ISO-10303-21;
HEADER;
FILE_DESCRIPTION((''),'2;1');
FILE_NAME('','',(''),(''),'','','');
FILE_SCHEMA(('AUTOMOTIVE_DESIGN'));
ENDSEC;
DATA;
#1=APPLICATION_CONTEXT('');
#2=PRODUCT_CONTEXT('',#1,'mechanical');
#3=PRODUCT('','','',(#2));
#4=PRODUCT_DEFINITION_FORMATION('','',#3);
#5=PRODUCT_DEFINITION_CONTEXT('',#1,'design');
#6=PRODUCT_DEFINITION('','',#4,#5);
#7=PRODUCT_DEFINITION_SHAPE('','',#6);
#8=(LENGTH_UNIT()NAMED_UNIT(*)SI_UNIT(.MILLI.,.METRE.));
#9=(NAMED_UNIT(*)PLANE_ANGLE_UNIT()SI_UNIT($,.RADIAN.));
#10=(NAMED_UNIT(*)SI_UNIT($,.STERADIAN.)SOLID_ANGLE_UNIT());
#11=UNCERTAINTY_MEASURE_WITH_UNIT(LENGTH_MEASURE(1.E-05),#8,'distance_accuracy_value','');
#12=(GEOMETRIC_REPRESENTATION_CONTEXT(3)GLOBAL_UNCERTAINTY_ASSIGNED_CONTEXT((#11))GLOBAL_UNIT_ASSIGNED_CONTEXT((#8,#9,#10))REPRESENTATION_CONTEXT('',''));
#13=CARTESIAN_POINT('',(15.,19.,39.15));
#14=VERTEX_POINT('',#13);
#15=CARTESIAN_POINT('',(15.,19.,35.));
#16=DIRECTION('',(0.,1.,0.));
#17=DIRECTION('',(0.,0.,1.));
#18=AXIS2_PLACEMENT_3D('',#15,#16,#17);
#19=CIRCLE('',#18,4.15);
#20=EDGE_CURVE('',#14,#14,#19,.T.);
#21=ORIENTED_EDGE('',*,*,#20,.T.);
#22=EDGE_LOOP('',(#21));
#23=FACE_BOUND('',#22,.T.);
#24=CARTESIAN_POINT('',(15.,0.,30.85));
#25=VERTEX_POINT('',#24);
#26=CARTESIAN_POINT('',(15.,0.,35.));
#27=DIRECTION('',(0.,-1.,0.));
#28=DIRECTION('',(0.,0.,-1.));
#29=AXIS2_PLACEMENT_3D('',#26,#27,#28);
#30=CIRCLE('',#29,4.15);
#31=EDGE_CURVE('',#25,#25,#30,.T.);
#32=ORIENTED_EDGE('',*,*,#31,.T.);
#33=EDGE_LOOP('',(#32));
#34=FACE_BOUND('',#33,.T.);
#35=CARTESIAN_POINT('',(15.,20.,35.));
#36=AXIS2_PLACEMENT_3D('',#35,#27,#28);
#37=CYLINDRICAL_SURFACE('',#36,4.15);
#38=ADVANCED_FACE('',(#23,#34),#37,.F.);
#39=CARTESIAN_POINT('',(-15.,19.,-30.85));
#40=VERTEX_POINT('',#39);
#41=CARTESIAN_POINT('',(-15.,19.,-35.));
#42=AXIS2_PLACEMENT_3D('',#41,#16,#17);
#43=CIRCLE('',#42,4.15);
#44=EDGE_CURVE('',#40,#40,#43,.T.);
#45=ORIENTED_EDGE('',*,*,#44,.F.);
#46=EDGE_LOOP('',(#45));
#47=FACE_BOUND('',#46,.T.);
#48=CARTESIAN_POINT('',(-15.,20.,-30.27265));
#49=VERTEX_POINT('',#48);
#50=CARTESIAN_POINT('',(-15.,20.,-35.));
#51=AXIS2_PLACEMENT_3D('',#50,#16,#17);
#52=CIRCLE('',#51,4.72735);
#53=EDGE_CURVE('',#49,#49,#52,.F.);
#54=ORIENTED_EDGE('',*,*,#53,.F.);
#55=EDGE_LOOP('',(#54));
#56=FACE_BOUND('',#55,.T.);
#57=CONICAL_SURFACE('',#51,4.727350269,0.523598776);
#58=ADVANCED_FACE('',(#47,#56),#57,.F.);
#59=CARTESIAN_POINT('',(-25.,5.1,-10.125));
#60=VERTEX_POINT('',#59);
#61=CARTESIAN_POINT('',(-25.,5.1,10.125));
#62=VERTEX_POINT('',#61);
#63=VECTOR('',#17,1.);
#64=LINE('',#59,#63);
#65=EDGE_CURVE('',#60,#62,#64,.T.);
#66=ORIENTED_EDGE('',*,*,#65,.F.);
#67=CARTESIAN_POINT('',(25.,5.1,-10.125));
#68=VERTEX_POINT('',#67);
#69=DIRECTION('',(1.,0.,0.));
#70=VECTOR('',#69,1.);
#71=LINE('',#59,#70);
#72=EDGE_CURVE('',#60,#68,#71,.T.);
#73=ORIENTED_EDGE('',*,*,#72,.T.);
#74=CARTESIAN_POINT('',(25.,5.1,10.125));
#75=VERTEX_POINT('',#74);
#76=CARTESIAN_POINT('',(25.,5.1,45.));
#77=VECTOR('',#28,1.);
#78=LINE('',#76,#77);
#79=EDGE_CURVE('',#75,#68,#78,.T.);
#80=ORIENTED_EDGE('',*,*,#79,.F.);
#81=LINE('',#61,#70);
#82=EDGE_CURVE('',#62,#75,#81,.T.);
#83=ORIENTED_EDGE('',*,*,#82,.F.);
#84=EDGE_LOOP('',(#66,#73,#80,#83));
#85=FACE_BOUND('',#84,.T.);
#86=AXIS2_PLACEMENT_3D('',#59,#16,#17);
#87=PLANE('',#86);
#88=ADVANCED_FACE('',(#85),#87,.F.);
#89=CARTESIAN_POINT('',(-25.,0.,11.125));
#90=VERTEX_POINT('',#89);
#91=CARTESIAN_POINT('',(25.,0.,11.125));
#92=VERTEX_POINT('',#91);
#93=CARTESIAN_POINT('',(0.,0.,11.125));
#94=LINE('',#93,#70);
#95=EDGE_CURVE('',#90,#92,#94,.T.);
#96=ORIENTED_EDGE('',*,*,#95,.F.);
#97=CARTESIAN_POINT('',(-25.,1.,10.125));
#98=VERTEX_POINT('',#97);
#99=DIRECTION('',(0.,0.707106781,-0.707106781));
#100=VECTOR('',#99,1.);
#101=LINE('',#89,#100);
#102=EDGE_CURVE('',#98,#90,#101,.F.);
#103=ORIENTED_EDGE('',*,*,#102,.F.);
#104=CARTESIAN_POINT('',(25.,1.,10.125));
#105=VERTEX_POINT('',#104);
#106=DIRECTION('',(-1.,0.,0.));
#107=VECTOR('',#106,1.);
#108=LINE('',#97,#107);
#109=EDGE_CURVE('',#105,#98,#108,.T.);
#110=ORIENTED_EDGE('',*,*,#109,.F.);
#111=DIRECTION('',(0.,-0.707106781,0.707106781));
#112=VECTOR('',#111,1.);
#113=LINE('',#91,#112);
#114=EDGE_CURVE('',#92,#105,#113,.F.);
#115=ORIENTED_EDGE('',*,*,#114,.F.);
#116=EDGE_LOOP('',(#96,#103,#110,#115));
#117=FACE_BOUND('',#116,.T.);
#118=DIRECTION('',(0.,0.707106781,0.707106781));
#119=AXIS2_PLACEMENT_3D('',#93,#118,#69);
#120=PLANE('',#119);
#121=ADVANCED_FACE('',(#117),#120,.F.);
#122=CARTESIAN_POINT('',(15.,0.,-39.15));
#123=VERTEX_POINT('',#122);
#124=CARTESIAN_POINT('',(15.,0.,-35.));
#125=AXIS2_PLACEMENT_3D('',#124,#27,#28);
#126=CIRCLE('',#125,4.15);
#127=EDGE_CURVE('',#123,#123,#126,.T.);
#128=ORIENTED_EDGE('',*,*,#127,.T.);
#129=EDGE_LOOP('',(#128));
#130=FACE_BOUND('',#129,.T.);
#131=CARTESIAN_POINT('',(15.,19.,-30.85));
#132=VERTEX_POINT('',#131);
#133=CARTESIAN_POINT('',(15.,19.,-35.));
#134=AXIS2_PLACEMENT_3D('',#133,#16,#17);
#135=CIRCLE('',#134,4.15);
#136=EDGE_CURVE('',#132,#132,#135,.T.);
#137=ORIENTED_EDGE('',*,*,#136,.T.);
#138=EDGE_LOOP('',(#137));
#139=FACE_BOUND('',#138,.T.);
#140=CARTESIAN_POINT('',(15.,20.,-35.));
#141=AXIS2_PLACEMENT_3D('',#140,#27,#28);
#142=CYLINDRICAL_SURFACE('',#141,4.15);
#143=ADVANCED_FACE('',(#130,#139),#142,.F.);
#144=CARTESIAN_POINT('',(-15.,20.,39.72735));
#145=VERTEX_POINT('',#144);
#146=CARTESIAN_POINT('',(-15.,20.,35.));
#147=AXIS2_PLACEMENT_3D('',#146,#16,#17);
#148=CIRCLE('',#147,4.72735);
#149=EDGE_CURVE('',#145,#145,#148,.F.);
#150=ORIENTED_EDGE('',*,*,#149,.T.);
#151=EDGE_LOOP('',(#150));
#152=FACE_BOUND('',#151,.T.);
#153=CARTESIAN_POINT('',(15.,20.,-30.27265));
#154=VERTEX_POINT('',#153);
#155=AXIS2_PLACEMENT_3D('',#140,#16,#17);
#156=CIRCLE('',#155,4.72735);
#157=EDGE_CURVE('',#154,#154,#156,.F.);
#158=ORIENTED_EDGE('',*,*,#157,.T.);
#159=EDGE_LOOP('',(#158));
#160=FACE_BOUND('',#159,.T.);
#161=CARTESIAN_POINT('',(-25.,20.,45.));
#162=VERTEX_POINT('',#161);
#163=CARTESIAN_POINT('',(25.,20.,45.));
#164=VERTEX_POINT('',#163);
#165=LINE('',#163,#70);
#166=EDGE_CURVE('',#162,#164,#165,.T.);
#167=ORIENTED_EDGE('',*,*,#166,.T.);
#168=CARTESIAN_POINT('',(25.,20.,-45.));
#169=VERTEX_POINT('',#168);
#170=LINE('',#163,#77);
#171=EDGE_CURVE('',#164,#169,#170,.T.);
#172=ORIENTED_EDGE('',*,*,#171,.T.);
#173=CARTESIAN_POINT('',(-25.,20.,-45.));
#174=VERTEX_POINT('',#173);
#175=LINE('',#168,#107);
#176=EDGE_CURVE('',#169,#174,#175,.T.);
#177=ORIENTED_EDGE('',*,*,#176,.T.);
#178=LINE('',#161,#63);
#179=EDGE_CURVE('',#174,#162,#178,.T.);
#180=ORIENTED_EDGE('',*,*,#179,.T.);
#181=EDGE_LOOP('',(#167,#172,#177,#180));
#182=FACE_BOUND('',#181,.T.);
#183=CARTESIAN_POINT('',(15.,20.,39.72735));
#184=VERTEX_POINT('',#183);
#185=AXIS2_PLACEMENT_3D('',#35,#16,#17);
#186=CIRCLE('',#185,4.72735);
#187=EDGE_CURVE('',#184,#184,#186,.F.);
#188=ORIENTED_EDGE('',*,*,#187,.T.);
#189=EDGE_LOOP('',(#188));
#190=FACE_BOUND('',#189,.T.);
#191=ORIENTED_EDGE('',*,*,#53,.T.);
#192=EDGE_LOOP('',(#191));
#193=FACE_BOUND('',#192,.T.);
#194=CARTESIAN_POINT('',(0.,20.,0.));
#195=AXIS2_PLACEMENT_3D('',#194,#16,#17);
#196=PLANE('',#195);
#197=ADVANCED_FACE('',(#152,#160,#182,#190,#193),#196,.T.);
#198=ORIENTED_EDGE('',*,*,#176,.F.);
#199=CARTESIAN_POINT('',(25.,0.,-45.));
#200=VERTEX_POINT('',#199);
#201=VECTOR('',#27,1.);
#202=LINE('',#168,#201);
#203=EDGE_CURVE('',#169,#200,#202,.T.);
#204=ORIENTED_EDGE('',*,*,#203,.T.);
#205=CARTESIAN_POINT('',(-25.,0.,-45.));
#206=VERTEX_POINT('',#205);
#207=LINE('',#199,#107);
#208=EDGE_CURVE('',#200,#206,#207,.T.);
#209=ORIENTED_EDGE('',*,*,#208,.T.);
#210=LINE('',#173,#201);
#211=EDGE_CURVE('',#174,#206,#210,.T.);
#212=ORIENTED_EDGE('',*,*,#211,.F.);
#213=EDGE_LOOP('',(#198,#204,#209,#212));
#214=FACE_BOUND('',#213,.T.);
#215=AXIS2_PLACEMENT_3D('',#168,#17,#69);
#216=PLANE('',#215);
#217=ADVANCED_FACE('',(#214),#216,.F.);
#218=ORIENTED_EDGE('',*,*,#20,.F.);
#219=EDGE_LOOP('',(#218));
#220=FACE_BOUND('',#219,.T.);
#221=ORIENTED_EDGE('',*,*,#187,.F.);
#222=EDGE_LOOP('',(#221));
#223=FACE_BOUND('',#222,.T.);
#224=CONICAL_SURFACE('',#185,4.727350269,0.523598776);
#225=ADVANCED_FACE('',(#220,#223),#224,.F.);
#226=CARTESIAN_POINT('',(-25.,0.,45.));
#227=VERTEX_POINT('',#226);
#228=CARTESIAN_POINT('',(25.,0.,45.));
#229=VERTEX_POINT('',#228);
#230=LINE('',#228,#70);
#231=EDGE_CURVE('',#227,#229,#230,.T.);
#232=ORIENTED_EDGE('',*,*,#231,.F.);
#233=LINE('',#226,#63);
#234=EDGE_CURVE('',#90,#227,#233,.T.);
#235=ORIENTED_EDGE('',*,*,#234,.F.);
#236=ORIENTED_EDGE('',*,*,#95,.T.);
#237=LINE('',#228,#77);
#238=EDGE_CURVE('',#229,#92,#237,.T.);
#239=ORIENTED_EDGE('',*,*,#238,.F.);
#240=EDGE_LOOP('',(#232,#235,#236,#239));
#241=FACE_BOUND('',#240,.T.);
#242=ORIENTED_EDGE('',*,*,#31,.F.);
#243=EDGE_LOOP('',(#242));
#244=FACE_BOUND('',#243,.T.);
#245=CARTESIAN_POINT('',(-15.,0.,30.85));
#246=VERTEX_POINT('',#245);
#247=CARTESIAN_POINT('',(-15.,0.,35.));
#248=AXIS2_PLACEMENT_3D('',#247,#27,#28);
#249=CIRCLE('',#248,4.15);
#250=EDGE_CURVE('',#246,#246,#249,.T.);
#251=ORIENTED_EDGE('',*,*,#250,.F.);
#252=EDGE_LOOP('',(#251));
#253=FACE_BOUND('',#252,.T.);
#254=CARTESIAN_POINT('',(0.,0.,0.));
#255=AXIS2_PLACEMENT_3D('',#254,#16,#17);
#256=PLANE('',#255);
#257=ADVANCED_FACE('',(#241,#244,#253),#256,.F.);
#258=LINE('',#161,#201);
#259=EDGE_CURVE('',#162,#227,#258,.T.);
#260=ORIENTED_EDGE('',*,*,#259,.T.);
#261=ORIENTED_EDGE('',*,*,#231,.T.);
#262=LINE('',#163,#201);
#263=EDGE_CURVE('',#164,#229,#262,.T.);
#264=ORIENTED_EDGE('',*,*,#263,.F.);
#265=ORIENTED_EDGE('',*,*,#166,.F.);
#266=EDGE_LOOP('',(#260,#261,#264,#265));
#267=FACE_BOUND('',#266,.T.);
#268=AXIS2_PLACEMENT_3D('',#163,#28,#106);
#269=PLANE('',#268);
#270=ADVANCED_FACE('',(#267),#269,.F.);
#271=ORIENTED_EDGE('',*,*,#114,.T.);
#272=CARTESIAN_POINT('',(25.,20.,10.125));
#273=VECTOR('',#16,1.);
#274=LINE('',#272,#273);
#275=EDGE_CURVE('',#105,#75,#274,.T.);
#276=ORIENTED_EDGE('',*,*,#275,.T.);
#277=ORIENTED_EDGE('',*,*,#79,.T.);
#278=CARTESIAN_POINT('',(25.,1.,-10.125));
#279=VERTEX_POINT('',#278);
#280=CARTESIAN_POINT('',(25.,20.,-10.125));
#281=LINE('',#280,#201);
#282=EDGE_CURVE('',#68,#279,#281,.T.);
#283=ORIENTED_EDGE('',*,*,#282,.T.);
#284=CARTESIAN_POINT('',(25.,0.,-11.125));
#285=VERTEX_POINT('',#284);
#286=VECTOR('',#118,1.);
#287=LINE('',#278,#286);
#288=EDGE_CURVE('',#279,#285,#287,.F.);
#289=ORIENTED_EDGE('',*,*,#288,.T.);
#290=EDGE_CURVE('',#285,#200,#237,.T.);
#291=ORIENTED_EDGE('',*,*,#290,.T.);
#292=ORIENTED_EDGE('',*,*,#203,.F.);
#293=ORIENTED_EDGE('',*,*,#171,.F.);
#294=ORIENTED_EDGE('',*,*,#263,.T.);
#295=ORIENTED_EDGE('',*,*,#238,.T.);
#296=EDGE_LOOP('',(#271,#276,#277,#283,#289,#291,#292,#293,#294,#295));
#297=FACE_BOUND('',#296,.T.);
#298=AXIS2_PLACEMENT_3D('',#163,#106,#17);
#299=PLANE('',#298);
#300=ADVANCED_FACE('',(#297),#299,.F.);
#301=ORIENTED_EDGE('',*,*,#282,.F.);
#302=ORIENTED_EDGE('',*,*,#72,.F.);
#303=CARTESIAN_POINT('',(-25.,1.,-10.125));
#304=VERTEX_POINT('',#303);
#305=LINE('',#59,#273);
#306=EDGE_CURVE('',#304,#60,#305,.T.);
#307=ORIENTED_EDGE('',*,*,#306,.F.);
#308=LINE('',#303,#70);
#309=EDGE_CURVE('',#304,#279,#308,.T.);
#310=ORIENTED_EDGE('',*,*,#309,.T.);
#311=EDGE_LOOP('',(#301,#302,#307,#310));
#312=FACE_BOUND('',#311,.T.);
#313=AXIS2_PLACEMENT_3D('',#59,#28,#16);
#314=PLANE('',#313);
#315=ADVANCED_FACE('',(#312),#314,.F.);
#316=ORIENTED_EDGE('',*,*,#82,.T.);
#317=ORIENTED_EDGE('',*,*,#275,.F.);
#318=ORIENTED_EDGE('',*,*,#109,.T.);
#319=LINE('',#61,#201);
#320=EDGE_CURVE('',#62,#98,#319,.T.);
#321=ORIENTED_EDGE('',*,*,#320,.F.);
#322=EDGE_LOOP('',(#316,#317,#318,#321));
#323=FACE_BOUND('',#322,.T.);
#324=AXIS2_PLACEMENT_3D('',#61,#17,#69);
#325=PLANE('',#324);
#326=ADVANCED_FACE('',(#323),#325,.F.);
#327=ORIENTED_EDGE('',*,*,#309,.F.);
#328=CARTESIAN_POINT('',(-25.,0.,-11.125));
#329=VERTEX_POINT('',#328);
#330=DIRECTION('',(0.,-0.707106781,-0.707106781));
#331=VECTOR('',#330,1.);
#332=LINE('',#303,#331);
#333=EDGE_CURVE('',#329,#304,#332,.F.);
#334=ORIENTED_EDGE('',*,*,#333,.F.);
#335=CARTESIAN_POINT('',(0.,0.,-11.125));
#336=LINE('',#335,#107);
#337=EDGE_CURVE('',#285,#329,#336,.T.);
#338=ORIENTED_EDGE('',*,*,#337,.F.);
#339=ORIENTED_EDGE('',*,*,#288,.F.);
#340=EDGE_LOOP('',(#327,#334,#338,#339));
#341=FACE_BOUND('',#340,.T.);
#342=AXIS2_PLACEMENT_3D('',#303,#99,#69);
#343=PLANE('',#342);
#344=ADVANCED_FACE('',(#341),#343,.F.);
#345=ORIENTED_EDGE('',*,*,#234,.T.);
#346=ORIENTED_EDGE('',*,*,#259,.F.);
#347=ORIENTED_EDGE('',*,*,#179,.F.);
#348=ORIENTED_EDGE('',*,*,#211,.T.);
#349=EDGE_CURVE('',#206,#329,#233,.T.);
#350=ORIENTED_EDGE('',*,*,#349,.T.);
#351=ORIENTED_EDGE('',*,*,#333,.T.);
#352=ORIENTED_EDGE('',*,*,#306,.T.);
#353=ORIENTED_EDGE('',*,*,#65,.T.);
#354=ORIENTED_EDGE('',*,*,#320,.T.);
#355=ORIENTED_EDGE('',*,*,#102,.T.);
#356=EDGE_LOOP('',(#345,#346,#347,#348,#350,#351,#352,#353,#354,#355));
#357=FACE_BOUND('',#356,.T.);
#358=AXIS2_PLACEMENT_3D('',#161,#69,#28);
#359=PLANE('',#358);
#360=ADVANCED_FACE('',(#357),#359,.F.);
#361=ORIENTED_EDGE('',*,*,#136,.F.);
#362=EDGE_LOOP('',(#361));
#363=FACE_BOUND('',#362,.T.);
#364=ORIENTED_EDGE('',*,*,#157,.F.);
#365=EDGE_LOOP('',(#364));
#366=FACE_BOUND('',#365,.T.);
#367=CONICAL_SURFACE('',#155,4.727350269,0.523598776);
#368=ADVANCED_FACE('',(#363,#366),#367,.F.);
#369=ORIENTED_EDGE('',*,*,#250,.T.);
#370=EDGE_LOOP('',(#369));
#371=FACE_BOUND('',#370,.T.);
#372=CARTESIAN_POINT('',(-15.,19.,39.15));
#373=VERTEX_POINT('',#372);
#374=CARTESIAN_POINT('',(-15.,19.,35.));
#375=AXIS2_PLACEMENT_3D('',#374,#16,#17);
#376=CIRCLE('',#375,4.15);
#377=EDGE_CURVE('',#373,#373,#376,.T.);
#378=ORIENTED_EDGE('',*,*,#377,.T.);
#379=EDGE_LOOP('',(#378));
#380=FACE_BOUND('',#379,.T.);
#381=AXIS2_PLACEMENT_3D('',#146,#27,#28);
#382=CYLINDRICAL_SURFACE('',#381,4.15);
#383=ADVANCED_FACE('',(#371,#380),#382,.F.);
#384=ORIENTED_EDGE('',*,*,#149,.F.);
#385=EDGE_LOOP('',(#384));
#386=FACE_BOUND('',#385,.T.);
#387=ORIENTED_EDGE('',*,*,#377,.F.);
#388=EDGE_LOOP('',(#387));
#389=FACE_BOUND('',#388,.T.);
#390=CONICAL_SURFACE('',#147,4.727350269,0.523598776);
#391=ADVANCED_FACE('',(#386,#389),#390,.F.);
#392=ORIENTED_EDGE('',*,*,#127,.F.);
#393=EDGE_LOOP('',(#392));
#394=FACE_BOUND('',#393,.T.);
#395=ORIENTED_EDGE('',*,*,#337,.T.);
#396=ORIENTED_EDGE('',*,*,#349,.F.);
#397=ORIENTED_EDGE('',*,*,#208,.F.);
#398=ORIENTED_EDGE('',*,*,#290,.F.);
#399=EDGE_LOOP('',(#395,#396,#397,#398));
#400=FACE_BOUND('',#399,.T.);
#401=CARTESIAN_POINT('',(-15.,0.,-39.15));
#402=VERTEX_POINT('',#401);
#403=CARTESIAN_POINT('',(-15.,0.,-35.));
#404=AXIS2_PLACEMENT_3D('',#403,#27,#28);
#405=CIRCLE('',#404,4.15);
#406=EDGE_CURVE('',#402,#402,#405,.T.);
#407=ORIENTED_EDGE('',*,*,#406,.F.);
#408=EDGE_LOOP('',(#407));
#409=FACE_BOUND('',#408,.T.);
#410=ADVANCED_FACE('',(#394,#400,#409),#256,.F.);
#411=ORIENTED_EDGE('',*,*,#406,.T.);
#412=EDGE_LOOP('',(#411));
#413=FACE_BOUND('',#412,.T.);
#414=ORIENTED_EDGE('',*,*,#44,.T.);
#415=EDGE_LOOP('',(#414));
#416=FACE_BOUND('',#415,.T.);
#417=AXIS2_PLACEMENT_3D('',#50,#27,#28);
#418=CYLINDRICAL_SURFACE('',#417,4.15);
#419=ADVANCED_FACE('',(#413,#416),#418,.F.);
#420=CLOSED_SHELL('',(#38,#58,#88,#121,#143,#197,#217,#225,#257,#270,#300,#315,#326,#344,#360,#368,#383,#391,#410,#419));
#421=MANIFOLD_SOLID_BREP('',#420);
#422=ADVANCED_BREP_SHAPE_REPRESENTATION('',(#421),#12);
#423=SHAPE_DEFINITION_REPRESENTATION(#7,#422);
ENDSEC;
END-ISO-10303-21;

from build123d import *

# Parameters (mm, degrees)
SKETCH1_W               = 50
SKETCH1_H               = 90
BOSS_EXTRUDE1_DEPTH     = 20
SKETCH2_W               = 20.25
SKETCH2_H               = 5.1
CUT_EXTRUDE1_DEPTH      = 1
CUT_EXTRUDE1_DEPTH_BACK = 51
SKETCH3_R               = 4.15
CUT_EXTRUDE2_DEPTH      = 21
CHAMFER1_SIZE           = 1
CHAMFER1_SIZE2          = 0.577350269
CHAMFER1_PART_2_SIZE    = 1
CHAMFER1_PART_2_SIZE2   = 0.577350269
CHAMFER1_PART_3_SIZE    = 1
CHAMFER1_PART_3_SIZE2   = 0.577350269
CHAMFER1_PART_4_SIZE    = 1
CHAMFER1_PART_4_SIZE2   = 0.577350269
CHAMFER2_SIZE           = 1


with BuildPart() as part:
    # Sketch1 → Boss-Extrude1 (new body)
    with BuildSketch(Plane(origin=(0, 0, 0), x_dir=(1, 0, 0), z_dir=(0, 1, 0))):
        Rectangle(SKETCH1_W, SKETCH1_H)
    extrude(amount=BOSS_EXTRUDE1_DEPTH)

    # Sketch2 → Cut-Extrude1 (cut, two sides)
    with BuildSketch(Plane(origin=(25, 0, 0), x_dir=(0, 0, -1), z_dir=(1, 0, 0))) as cut_extrude1_sk:
        with Locations((0, 2.55)):
            Rectangle(SKETCH2_W, SKETCH2_H)
    extrude(amount=CUT_EXTRUDE1_DEPTH, mode=Mode.SUBTRACT)
    extrude(cut_extrude1_sk.sketch, amount=-CUT_EXTRUDE1_DEPTH_BACK, mode=Mode.SUBTRACT)

    # Sketch3 → Cut-Extrude2 (cut, through all)
    with BuildSketch(Plane.XZ):
        with Locations(Location((-15, 35, 0), (0, 0, 270))):  # turned: the seam where the file's is
            Circle(SKETCH3_R)
        with Locations(Location((-15, -35, 0), (0, 0, 270))):  # turned: the seam where the file's is
            Circle(SKETCH3_R)
        with Locations(Location((15, 35, 0), (0, 0, 270))):  # turned: the seam where the file's is
            Circle(SKETCH3_R)
        with Locations(Location((15, -35, 0), (0, 0, 270))):  # turned: the seam where the file's is
            Circle(SKETCH3_R)
    extrude(amount=-CUT_EXTRUDE2_DEPTH, mode=Mode.SUBTRACT)

    # Chamfer1
    chamfer1_edges = [part.edges().sort_by_distance(p)[0] for p in [
        (-15, 20, 39.15),
    ]]
    chamfer1_side = [part.faces().sort_by_distance(p)[0] for p in [
        (-15, 10, 39.15),
    ]]
    chamfer(chamfer1_edges, length=CHAMFER1_SIZE, length2=CHAMFER1_SIZE2, reference=chamfer1_side[0])

    # Chamfer1 part 2
    chamfer1_part_2_edges = [part.edges().sort_by_distance(p)[0] for p in [
        (15, 20, 39.15),
    ]]
    chamfer1_part_2_side = [part.faces().sort_by_distance(p)[0] for p in [
        (15, 10, 39.15),
    ]]
    chamfer(chamfer1_part_2_edges, length=CHAMFER1_PART_2_SIZE, length2=CHAMFER1_PART_2_SIZE2, reference=chamfer1_part_2_side[0])

    # Chamfer1 part 3
    chamfer1_part_3_edges = [part.edges().sort_by_distance(p)[0] for p in [
        (15, 20, -30.85),
    ]]
    chamfer1_part_3_side = [part.faces().sort_by_distance(p)[0] for p in [
        (15, 10, -30.85),
    ]]
    chamfer(chamfer1_part_3_edges, length=CHAMFER1_PART_3_SIZE, length2=CHAMFER1_PART_3_SIZE2, reference=chamfer1_part_3_side[0])

    # Chamfer1 part 4
    chamfer1_part_4_edges = [part.edges().sort_by_distance(p)[0] for p in [
        (-15, 20, -30.85),
    ]]
    chamfer1_part_4_side = [part.faces().sort_by_distance(p)[0] for p in [
        (-15, 10, -30.85),
    ]]
    chamfer(chamfer1_part_4_edges, length=CHAMFER1_PART_4_SIZE, length2=CHAMFER1_PART_4_SIZE2, reference=chamfer1_part_4_side[0])

    # Chamfer2
    chamfer2_edges = [part.edges().sort_by_distance(p)[0] for p in [
        (0, 0, -10.125),
        (0, 0, 10.125),
    ]]
    chamfer(chamfer2_edges, length=CHAMFER2_SIZE)


solid = part.part
